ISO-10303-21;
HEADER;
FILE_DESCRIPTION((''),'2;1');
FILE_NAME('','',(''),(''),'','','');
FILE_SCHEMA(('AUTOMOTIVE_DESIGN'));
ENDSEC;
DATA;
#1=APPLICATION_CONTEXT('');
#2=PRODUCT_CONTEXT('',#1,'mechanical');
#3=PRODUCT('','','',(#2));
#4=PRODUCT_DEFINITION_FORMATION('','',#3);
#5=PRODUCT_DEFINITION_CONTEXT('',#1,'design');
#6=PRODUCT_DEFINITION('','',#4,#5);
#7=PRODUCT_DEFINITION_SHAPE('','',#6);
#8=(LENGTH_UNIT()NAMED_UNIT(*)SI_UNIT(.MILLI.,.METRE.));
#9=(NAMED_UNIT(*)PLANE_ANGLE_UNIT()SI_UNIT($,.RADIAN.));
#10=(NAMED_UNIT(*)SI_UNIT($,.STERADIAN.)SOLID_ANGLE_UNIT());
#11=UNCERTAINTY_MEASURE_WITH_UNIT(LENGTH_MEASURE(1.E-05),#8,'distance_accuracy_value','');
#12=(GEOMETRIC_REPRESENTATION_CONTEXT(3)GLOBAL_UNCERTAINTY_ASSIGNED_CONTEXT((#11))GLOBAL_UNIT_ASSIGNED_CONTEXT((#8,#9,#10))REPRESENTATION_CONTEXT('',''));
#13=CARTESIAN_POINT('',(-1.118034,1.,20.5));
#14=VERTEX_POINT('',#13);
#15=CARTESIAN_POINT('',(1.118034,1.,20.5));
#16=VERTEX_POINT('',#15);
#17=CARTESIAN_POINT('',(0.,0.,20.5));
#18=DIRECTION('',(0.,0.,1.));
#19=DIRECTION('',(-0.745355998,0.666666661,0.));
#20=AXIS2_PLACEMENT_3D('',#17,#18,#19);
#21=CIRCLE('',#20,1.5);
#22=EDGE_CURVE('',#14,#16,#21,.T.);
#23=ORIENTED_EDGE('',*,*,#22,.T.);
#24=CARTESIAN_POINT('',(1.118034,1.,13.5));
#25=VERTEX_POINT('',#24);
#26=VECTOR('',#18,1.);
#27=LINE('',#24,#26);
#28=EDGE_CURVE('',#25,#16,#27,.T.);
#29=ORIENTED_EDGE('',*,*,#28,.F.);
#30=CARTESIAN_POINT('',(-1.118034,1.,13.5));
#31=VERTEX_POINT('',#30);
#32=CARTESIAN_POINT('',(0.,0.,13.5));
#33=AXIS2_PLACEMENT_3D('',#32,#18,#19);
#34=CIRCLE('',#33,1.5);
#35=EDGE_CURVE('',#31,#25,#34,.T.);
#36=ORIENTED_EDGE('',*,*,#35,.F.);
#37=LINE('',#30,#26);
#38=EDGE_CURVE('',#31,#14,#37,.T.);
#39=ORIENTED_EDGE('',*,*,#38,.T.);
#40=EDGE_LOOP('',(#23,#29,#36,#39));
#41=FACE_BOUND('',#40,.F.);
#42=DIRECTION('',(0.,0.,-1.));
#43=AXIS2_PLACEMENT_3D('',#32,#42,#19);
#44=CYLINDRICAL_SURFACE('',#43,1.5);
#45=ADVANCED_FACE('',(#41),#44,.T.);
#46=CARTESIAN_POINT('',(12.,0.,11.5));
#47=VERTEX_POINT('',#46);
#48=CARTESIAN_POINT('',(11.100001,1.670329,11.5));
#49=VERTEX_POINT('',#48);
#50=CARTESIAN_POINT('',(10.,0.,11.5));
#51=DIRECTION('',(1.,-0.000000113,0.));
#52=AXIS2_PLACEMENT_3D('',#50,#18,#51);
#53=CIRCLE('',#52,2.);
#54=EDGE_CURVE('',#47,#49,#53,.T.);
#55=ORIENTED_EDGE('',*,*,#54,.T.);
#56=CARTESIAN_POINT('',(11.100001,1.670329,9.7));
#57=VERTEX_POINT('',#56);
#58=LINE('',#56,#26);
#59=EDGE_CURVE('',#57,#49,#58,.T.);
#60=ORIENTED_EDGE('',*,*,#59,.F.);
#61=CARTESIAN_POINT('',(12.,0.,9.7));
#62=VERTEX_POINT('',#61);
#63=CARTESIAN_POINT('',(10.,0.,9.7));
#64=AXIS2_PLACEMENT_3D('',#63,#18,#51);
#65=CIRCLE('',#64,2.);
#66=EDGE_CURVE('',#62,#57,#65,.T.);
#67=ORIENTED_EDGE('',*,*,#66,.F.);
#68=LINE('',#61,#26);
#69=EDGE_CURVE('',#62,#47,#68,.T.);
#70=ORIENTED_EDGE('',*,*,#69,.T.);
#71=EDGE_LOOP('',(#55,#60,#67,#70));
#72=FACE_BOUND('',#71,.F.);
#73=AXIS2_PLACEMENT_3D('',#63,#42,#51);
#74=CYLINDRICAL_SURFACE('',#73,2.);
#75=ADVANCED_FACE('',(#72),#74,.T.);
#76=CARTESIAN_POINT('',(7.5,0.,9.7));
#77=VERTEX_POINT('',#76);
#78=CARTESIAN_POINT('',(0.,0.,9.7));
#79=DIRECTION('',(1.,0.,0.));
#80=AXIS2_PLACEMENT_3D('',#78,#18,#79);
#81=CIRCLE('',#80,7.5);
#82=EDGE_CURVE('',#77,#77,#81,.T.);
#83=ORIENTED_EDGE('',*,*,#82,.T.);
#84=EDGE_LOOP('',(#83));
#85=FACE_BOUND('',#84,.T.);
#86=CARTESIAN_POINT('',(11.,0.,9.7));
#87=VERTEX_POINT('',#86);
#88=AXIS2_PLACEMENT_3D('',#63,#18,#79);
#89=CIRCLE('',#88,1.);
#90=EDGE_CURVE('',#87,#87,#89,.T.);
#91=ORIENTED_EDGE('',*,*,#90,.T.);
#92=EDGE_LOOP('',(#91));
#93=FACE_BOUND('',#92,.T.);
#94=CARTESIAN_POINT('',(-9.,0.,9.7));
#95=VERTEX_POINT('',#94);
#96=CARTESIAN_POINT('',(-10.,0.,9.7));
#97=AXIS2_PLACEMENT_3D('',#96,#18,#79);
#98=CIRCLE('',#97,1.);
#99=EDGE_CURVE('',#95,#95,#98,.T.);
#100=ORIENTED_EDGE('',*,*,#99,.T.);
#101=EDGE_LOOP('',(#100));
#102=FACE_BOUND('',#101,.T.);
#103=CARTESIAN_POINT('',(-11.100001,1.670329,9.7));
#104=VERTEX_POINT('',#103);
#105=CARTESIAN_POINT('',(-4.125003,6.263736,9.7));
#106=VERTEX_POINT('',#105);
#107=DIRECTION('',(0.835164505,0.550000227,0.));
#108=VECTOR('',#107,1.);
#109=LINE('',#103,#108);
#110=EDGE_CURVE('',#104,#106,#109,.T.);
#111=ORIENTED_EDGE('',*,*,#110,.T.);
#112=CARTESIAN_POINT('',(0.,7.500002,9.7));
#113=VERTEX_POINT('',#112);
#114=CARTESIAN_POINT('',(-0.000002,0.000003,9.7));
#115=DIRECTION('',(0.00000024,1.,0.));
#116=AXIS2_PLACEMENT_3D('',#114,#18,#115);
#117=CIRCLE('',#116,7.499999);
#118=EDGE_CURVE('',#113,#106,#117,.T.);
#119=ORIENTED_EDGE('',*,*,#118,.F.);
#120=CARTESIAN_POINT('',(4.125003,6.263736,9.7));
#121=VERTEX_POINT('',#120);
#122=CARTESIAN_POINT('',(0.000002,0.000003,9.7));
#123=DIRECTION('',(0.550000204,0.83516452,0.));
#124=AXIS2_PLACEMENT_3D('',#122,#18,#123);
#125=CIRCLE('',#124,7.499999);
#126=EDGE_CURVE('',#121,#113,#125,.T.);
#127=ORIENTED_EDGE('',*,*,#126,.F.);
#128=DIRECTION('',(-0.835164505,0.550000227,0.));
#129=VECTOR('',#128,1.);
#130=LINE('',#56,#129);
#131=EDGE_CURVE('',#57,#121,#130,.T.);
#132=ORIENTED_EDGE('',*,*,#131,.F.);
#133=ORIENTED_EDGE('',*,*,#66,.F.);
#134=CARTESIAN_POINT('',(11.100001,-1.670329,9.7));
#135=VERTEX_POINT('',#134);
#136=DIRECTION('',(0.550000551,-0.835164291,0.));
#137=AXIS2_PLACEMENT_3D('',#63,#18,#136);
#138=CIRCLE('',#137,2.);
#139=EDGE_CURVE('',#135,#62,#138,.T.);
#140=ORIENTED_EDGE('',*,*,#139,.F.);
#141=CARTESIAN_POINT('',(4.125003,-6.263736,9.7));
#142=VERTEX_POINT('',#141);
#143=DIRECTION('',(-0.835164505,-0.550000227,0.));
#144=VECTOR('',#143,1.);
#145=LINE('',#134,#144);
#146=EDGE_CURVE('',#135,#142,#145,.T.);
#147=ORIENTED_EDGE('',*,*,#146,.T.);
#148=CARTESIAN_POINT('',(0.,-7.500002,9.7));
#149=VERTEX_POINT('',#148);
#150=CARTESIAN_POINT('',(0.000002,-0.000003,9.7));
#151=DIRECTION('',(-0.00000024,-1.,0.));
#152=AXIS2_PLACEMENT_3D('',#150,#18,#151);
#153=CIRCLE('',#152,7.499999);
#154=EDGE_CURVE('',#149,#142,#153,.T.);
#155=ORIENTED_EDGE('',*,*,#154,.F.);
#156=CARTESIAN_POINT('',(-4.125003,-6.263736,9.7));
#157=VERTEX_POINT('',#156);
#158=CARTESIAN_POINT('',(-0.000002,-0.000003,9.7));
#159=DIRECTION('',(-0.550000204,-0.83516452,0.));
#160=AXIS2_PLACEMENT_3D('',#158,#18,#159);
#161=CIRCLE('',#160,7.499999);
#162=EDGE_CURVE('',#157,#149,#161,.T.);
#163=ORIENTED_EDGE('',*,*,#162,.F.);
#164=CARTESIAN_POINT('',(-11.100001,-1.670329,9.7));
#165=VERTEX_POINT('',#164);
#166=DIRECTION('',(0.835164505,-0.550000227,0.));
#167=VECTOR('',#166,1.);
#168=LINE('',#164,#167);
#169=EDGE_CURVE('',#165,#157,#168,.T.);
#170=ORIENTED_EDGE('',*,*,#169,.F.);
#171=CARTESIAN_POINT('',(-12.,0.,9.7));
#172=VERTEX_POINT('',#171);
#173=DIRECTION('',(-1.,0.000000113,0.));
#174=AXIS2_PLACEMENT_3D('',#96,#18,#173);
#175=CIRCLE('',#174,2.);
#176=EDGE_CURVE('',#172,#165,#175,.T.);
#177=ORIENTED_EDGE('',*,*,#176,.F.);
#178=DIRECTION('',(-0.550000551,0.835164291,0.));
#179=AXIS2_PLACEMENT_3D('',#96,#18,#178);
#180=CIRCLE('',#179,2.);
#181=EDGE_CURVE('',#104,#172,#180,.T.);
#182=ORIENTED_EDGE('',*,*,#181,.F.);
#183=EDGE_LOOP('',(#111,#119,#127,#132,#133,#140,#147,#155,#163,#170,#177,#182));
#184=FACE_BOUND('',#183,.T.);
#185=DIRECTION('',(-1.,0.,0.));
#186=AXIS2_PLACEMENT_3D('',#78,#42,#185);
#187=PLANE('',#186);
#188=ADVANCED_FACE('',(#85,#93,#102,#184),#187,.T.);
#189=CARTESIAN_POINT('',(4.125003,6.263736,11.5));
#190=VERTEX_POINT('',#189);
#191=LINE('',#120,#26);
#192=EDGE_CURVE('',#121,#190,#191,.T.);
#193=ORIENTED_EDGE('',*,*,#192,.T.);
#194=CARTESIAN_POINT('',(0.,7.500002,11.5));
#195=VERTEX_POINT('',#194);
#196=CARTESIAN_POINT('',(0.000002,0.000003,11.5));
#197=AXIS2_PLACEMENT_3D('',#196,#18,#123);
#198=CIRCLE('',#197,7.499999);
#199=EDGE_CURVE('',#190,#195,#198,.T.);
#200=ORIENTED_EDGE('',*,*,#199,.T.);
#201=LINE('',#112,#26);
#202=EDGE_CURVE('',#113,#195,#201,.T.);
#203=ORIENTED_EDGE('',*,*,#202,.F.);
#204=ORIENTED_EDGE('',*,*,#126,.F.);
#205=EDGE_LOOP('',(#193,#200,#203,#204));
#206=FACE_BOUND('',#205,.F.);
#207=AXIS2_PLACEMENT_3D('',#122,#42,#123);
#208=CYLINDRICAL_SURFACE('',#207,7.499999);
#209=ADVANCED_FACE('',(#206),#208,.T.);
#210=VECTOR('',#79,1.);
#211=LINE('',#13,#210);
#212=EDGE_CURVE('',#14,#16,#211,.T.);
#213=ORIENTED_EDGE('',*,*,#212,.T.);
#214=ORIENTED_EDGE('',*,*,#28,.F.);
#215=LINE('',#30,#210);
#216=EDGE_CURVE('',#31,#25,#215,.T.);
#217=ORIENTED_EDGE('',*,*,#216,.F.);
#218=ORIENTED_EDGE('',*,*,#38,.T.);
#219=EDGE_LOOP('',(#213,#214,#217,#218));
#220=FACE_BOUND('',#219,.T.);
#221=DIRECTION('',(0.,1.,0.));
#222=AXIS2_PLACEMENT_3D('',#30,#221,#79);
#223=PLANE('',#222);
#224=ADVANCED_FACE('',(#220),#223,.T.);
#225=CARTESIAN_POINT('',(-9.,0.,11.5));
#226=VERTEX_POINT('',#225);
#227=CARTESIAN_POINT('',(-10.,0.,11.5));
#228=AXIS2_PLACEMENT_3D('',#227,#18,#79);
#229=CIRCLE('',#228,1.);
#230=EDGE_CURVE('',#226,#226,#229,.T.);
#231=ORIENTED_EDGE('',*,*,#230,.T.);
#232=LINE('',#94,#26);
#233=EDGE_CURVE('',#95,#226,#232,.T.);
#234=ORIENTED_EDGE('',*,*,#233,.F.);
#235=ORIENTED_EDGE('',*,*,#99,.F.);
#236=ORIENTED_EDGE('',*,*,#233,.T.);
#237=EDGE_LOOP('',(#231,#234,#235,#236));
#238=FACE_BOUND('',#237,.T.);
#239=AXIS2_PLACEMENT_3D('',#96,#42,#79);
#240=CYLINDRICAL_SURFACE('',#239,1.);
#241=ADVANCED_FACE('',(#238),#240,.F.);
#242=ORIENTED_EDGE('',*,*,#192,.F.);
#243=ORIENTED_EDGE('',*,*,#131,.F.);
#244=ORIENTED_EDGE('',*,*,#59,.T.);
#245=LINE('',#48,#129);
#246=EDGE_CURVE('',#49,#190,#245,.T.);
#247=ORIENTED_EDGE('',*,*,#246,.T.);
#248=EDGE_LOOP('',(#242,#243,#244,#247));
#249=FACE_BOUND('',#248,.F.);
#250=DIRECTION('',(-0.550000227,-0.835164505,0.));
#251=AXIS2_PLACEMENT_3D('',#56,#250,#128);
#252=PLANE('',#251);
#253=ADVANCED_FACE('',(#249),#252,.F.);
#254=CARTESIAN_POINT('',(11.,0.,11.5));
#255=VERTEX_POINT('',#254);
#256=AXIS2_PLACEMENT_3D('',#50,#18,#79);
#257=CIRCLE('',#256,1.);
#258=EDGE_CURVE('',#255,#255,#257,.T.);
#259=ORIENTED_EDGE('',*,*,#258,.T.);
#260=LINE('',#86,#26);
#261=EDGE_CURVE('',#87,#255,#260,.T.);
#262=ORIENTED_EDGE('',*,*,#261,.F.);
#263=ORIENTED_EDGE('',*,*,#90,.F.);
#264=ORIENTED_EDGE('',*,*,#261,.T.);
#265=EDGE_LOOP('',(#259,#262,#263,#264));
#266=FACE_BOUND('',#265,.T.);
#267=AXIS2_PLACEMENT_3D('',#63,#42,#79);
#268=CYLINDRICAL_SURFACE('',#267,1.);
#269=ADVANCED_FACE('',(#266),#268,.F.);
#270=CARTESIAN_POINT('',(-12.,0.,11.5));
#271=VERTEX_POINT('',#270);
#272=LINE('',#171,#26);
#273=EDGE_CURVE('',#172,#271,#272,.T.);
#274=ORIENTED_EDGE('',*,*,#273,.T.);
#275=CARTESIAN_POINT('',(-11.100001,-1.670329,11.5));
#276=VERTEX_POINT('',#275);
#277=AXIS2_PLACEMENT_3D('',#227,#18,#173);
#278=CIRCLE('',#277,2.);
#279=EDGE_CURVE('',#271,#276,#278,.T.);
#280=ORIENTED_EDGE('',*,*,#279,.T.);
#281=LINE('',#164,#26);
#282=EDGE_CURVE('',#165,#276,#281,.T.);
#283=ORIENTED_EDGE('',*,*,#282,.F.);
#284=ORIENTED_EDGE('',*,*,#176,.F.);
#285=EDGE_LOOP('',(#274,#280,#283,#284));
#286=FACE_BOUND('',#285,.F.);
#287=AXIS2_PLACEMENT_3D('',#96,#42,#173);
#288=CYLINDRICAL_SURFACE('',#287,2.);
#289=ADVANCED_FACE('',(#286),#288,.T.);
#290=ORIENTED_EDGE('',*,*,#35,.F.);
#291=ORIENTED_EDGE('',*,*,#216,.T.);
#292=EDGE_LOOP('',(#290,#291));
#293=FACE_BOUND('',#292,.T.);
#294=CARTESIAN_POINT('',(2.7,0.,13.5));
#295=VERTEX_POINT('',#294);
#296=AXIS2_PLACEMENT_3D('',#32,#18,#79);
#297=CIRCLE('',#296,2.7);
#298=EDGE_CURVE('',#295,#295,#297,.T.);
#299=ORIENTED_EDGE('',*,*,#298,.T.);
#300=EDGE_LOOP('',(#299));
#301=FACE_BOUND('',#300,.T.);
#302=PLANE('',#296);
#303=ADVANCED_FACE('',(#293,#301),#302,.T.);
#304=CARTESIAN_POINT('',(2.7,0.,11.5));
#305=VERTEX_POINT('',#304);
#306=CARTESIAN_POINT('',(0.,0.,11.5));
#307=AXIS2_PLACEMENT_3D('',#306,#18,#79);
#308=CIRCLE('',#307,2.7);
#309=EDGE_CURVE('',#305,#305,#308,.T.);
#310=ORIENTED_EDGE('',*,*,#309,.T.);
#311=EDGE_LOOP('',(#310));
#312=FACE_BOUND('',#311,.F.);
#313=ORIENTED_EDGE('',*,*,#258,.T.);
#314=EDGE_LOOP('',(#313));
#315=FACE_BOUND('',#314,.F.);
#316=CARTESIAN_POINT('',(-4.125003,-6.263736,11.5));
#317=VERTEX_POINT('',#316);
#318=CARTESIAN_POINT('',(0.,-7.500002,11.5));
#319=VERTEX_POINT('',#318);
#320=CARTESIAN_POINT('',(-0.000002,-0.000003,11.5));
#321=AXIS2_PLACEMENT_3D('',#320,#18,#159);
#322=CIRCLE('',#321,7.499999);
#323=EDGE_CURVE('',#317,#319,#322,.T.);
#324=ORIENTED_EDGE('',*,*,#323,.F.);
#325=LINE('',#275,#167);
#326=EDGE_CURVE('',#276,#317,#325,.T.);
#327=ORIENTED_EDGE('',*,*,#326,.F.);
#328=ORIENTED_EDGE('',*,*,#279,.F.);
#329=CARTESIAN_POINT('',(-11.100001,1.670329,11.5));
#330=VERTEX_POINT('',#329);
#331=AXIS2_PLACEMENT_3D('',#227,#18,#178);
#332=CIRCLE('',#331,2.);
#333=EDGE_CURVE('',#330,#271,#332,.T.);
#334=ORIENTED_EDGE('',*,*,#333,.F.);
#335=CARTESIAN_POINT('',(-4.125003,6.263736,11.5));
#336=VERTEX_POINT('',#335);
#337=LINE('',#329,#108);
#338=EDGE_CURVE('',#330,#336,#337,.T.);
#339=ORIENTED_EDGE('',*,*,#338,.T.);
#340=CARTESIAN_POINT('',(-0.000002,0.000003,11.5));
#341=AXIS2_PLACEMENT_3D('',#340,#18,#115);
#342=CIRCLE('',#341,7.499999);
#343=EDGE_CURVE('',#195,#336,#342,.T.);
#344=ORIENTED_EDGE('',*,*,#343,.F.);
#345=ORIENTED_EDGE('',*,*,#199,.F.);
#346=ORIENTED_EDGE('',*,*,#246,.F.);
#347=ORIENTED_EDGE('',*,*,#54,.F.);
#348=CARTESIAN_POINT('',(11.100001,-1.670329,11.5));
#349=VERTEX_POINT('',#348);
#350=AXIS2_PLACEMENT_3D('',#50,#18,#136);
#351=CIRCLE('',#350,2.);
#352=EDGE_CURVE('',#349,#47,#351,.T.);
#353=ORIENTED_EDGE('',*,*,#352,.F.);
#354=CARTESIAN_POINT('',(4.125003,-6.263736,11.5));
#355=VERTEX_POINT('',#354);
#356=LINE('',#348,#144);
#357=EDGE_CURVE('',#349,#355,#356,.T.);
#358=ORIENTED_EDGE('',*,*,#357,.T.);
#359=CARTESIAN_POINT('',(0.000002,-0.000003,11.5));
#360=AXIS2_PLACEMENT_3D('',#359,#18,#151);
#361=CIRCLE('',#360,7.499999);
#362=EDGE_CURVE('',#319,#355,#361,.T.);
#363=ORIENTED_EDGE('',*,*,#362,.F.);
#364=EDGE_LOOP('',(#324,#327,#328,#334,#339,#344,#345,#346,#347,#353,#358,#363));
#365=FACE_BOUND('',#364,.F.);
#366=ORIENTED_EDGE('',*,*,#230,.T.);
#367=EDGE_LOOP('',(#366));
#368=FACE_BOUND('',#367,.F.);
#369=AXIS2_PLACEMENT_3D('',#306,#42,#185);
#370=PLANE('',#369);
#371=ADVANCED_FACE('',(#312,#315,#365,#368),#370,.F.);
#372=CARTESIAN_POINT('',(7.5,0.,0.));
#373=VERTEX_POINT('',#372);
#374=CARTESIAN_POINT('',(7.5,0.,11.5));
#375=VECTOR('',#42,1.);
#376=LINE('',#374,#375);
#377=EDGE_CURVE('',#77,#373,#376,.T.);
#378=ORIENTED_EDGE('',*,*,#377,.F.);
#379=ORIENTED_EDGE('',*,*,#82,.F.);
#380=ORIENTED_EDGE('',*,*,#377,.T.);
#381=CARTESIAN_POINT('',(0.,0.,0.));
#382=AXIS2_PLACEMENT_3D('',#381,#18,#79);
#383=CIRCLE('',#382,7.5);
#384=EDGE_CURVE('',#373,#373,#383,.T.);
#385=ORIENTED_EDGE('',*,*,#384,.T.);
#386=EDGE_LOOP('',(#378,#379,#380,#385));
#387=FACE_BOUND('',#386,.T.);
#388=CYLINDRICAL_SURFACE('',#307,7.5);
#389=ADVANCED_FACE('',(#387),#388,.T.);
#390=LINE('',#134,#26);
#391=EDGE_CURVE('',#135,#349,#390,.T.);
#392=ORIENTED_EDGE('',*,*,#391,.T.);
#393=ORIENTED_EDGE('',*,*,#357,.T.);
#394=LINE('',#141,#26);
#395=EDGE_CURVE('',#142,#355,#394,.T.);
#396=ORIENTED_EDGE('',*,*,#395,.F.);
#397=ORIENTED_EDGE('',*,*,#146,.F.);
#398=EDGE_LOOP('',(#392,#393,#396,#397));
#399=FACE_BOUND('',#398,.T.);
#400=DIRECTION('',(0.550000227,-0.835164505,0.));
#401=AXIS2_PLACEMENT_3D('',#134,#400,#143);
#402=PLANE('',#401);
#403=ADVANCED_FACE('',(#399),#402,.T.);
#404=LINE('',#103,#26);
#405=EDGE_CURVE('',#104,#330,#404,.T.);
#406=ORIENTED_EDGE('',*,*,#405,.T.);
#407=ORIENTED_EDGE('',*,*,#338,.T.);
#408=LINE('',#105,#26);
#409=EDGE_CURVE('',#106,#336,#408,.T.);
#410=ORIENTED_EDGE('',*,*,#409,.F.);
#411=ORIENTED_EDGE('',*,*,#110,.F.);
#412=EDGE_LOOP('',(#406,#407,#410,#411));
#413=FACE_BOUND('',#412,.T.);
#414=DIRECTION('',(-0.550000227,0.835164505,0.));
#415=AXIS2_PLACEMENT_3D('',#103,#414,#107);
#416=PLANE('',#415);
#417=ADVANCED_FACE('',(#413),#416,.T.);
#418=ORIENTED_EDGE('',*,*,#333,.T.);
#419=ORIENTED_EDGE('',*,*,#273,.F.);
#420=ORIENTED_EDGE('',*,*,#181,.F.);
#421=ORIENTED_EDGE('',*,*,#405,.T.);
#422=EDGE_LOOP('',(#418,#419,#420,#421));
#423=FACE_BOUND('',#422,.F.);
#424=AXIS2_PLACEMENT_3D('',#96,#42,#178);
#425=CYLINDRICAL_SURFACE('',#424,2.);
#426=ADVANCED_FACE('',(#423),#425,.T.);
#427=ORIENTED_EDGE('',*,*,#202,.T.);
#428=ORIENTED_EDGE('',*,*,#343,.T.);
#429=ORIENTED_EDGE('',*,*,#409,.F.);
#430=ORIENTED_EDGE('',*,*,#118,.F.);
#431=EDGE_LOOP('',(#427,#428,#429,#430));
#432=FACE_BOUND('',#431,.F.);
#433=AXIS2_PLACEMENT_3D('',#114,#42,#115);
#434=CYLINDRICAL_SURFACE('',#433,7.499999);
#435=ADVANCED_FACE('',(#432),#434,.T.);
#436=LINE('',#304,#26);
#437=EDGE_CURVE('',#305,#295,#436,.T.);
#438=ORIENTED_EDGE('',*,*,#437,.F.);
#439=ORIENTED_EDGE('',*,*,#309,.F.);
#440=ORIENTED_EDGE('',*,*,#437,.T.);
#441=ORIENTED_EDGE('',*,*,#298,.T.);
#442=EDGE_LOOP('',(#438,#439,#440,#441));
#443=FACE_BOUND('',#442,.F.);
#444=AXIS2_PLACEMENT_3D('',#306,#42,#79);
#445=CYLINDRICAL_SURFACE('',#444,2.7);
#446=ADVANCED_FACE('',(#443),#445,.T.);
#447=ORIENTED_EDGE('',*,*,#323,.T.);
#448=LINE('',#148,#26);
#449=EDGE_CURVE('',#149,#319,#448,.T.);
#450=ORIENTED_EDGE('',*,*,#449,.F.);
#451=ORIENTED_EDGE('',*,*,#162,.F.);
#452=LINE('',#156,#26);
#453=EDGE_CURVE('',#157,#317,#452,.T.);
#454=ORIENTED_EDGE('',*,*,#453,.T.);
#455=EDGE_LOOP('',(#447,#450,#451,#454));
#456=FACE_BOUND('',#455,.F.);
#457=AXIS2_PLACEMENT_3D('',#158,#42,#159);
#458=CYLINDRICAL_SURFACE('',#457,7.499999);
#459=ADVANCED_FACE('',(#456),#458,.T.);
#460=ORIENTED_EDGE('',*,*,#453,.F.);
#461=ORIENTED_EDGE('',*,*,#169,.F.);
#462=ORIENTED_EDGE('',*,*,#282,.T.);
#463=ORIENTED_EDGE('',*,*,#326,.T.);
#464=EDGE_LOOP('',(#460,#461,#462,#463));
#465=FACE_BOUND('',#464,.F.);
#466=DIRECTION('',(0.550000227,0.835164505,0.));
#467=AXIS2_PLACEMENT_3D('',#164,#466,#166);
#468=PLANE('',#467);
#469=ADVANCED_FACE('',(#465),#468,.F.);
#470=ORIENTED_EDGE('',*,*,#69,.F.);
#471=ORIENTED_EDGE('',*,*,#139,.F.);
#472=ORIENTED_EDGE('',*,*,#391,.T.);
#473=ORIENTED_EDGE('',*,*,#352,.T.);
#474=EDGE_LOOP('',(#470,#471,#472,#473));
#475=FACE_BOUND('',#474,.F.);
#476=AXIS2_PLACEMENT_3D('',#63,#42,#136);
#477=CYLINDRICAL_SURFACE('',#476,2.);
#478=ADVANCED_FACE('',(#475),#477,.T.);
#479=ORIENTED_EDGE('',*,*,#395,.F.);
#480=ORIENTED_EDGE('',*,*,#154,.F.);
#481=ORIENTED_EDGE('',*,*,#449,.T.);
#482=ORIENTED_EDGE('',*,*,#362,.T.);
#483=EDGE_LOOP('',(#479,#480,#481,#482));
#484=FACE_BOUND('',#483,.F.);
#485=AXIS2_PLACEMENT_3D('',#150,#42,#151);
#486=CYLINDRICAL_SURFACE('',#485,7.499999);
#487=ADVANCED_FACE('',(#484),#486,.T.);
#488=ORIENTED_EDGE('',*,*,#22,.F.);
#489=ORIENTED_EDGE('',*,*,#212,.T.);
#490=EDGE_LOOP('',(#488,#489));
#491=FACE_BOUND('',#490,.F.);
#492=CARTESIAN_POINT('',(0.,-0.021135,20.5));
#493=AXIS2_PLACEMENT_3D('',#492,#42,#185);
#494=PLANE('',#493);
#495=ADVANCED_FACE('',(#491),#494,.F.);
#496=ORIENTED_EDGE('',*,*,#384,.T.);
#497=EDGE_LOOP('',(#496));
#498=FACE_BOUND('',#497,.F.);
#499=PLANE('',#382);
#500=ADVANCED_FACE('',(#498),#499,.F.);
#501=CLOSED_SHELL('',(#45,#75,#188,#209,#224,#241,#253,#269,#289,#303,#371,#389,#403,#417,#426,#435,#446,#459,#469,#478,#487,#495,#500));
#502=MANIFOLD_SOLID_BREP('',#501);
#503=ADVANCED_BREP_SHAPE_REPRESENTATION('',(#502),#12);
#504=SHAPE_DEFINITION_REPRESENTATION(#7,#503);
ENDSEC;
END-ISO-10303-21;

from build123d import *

# Parameters (mm, degrees)
SKETCH_R     = 1
PAD_DEPTH    = 1.8
SKETCH001_R  = 2.7
PAD001_DEPTH = 2
PAD002_DEPTH = 7
SKETCH003_R  = 7.5
PAD003_DEPTH = 11.5


with BuildPart() as part:
    # Sketch → Pad (new body)
    with BuildSketch(Plane.XY):
        with BuildLine():
            Line((-11.100001, 1.670329), (-4.125003, 6.263736))
            ThreePointArc((0, 7.500002), (-2.153137, 7.184291), (-4.125003, 6.263736))
            ThreePointArc((4.125003, 6.263736), (2.153137, 7.184291), (0, 7.500002))
            Line((11.100001, 1.670329), (4.125003, 6.263736))
            ThreePointArc((12, 0), (11.760682, 0.948683), (11.100001, 1.670329))
            ThreePointArc((11.100001, -1.670329), (11.760682, -0.948683), (12, 0))
            Line((11.100001, -1.670329), (4.125003, -6.263736))
            ThreePointArc((0, -7.500002), (2.153137, -7.184291), (4.125003, -6.263736))
            ThreePointArc((-4.125003, -6.263736), (-2.153137, -7.184291), (0, -7.500002))
            Line((-11.100001, -1.670329), (-4.125003, -6.263736))
            ThreePointArc((-12, 0), (-11.760682, -0.948683), (-11.100001, -1.670329))
            ThreePointArc((-11.100001, 1.670329), (-11.760682, 0.948683), (-12, 0))
        make_face()
        with Locations((-10, 0)):
            Circle(SKETCH_R, mode=Mode.SUBTRACT)
        with Locations((10, 0)):
            Circle(SKETCH_R, mode=Mode.SUBTRACT)
    extrude(amount=PAD_DEPTH)

    # Sketch001 (on Face8 of Pad) → Pad001 (join)
    with BuildSketch(Plane.XY.offset(1.8)):
        Circle(SKETCH001_R)
    extrude(amount=PAD001_DEPTH)

    # Sketch002 (on Face14 of Pad001) → Pad002 (join)
    with BuildSketch(Plane.XY.offset(3.8)):
        with BuildLine():
            Line((-1.118034, 1), (1.118034, 1))
            ThreePointArc((-1.118034, 1), (0, -1.5), (1.118034, 1))
        make_face()
    extrude(amount=PAD002_DEPTH)

    # Sketch003 (on Face5 of Pad002) → Pad003 (join)
    with BuildSketch(Plane.XY.offset(1.8)):
        Circle(SKETCH003_R)
    extrude(amount=-PAD003_DEPTH)


with BuildPart() as part_1:
    # Body placement: moved
    add(part.part.moved(Location((0, 0, 9.7))))


solid = part_1.part
